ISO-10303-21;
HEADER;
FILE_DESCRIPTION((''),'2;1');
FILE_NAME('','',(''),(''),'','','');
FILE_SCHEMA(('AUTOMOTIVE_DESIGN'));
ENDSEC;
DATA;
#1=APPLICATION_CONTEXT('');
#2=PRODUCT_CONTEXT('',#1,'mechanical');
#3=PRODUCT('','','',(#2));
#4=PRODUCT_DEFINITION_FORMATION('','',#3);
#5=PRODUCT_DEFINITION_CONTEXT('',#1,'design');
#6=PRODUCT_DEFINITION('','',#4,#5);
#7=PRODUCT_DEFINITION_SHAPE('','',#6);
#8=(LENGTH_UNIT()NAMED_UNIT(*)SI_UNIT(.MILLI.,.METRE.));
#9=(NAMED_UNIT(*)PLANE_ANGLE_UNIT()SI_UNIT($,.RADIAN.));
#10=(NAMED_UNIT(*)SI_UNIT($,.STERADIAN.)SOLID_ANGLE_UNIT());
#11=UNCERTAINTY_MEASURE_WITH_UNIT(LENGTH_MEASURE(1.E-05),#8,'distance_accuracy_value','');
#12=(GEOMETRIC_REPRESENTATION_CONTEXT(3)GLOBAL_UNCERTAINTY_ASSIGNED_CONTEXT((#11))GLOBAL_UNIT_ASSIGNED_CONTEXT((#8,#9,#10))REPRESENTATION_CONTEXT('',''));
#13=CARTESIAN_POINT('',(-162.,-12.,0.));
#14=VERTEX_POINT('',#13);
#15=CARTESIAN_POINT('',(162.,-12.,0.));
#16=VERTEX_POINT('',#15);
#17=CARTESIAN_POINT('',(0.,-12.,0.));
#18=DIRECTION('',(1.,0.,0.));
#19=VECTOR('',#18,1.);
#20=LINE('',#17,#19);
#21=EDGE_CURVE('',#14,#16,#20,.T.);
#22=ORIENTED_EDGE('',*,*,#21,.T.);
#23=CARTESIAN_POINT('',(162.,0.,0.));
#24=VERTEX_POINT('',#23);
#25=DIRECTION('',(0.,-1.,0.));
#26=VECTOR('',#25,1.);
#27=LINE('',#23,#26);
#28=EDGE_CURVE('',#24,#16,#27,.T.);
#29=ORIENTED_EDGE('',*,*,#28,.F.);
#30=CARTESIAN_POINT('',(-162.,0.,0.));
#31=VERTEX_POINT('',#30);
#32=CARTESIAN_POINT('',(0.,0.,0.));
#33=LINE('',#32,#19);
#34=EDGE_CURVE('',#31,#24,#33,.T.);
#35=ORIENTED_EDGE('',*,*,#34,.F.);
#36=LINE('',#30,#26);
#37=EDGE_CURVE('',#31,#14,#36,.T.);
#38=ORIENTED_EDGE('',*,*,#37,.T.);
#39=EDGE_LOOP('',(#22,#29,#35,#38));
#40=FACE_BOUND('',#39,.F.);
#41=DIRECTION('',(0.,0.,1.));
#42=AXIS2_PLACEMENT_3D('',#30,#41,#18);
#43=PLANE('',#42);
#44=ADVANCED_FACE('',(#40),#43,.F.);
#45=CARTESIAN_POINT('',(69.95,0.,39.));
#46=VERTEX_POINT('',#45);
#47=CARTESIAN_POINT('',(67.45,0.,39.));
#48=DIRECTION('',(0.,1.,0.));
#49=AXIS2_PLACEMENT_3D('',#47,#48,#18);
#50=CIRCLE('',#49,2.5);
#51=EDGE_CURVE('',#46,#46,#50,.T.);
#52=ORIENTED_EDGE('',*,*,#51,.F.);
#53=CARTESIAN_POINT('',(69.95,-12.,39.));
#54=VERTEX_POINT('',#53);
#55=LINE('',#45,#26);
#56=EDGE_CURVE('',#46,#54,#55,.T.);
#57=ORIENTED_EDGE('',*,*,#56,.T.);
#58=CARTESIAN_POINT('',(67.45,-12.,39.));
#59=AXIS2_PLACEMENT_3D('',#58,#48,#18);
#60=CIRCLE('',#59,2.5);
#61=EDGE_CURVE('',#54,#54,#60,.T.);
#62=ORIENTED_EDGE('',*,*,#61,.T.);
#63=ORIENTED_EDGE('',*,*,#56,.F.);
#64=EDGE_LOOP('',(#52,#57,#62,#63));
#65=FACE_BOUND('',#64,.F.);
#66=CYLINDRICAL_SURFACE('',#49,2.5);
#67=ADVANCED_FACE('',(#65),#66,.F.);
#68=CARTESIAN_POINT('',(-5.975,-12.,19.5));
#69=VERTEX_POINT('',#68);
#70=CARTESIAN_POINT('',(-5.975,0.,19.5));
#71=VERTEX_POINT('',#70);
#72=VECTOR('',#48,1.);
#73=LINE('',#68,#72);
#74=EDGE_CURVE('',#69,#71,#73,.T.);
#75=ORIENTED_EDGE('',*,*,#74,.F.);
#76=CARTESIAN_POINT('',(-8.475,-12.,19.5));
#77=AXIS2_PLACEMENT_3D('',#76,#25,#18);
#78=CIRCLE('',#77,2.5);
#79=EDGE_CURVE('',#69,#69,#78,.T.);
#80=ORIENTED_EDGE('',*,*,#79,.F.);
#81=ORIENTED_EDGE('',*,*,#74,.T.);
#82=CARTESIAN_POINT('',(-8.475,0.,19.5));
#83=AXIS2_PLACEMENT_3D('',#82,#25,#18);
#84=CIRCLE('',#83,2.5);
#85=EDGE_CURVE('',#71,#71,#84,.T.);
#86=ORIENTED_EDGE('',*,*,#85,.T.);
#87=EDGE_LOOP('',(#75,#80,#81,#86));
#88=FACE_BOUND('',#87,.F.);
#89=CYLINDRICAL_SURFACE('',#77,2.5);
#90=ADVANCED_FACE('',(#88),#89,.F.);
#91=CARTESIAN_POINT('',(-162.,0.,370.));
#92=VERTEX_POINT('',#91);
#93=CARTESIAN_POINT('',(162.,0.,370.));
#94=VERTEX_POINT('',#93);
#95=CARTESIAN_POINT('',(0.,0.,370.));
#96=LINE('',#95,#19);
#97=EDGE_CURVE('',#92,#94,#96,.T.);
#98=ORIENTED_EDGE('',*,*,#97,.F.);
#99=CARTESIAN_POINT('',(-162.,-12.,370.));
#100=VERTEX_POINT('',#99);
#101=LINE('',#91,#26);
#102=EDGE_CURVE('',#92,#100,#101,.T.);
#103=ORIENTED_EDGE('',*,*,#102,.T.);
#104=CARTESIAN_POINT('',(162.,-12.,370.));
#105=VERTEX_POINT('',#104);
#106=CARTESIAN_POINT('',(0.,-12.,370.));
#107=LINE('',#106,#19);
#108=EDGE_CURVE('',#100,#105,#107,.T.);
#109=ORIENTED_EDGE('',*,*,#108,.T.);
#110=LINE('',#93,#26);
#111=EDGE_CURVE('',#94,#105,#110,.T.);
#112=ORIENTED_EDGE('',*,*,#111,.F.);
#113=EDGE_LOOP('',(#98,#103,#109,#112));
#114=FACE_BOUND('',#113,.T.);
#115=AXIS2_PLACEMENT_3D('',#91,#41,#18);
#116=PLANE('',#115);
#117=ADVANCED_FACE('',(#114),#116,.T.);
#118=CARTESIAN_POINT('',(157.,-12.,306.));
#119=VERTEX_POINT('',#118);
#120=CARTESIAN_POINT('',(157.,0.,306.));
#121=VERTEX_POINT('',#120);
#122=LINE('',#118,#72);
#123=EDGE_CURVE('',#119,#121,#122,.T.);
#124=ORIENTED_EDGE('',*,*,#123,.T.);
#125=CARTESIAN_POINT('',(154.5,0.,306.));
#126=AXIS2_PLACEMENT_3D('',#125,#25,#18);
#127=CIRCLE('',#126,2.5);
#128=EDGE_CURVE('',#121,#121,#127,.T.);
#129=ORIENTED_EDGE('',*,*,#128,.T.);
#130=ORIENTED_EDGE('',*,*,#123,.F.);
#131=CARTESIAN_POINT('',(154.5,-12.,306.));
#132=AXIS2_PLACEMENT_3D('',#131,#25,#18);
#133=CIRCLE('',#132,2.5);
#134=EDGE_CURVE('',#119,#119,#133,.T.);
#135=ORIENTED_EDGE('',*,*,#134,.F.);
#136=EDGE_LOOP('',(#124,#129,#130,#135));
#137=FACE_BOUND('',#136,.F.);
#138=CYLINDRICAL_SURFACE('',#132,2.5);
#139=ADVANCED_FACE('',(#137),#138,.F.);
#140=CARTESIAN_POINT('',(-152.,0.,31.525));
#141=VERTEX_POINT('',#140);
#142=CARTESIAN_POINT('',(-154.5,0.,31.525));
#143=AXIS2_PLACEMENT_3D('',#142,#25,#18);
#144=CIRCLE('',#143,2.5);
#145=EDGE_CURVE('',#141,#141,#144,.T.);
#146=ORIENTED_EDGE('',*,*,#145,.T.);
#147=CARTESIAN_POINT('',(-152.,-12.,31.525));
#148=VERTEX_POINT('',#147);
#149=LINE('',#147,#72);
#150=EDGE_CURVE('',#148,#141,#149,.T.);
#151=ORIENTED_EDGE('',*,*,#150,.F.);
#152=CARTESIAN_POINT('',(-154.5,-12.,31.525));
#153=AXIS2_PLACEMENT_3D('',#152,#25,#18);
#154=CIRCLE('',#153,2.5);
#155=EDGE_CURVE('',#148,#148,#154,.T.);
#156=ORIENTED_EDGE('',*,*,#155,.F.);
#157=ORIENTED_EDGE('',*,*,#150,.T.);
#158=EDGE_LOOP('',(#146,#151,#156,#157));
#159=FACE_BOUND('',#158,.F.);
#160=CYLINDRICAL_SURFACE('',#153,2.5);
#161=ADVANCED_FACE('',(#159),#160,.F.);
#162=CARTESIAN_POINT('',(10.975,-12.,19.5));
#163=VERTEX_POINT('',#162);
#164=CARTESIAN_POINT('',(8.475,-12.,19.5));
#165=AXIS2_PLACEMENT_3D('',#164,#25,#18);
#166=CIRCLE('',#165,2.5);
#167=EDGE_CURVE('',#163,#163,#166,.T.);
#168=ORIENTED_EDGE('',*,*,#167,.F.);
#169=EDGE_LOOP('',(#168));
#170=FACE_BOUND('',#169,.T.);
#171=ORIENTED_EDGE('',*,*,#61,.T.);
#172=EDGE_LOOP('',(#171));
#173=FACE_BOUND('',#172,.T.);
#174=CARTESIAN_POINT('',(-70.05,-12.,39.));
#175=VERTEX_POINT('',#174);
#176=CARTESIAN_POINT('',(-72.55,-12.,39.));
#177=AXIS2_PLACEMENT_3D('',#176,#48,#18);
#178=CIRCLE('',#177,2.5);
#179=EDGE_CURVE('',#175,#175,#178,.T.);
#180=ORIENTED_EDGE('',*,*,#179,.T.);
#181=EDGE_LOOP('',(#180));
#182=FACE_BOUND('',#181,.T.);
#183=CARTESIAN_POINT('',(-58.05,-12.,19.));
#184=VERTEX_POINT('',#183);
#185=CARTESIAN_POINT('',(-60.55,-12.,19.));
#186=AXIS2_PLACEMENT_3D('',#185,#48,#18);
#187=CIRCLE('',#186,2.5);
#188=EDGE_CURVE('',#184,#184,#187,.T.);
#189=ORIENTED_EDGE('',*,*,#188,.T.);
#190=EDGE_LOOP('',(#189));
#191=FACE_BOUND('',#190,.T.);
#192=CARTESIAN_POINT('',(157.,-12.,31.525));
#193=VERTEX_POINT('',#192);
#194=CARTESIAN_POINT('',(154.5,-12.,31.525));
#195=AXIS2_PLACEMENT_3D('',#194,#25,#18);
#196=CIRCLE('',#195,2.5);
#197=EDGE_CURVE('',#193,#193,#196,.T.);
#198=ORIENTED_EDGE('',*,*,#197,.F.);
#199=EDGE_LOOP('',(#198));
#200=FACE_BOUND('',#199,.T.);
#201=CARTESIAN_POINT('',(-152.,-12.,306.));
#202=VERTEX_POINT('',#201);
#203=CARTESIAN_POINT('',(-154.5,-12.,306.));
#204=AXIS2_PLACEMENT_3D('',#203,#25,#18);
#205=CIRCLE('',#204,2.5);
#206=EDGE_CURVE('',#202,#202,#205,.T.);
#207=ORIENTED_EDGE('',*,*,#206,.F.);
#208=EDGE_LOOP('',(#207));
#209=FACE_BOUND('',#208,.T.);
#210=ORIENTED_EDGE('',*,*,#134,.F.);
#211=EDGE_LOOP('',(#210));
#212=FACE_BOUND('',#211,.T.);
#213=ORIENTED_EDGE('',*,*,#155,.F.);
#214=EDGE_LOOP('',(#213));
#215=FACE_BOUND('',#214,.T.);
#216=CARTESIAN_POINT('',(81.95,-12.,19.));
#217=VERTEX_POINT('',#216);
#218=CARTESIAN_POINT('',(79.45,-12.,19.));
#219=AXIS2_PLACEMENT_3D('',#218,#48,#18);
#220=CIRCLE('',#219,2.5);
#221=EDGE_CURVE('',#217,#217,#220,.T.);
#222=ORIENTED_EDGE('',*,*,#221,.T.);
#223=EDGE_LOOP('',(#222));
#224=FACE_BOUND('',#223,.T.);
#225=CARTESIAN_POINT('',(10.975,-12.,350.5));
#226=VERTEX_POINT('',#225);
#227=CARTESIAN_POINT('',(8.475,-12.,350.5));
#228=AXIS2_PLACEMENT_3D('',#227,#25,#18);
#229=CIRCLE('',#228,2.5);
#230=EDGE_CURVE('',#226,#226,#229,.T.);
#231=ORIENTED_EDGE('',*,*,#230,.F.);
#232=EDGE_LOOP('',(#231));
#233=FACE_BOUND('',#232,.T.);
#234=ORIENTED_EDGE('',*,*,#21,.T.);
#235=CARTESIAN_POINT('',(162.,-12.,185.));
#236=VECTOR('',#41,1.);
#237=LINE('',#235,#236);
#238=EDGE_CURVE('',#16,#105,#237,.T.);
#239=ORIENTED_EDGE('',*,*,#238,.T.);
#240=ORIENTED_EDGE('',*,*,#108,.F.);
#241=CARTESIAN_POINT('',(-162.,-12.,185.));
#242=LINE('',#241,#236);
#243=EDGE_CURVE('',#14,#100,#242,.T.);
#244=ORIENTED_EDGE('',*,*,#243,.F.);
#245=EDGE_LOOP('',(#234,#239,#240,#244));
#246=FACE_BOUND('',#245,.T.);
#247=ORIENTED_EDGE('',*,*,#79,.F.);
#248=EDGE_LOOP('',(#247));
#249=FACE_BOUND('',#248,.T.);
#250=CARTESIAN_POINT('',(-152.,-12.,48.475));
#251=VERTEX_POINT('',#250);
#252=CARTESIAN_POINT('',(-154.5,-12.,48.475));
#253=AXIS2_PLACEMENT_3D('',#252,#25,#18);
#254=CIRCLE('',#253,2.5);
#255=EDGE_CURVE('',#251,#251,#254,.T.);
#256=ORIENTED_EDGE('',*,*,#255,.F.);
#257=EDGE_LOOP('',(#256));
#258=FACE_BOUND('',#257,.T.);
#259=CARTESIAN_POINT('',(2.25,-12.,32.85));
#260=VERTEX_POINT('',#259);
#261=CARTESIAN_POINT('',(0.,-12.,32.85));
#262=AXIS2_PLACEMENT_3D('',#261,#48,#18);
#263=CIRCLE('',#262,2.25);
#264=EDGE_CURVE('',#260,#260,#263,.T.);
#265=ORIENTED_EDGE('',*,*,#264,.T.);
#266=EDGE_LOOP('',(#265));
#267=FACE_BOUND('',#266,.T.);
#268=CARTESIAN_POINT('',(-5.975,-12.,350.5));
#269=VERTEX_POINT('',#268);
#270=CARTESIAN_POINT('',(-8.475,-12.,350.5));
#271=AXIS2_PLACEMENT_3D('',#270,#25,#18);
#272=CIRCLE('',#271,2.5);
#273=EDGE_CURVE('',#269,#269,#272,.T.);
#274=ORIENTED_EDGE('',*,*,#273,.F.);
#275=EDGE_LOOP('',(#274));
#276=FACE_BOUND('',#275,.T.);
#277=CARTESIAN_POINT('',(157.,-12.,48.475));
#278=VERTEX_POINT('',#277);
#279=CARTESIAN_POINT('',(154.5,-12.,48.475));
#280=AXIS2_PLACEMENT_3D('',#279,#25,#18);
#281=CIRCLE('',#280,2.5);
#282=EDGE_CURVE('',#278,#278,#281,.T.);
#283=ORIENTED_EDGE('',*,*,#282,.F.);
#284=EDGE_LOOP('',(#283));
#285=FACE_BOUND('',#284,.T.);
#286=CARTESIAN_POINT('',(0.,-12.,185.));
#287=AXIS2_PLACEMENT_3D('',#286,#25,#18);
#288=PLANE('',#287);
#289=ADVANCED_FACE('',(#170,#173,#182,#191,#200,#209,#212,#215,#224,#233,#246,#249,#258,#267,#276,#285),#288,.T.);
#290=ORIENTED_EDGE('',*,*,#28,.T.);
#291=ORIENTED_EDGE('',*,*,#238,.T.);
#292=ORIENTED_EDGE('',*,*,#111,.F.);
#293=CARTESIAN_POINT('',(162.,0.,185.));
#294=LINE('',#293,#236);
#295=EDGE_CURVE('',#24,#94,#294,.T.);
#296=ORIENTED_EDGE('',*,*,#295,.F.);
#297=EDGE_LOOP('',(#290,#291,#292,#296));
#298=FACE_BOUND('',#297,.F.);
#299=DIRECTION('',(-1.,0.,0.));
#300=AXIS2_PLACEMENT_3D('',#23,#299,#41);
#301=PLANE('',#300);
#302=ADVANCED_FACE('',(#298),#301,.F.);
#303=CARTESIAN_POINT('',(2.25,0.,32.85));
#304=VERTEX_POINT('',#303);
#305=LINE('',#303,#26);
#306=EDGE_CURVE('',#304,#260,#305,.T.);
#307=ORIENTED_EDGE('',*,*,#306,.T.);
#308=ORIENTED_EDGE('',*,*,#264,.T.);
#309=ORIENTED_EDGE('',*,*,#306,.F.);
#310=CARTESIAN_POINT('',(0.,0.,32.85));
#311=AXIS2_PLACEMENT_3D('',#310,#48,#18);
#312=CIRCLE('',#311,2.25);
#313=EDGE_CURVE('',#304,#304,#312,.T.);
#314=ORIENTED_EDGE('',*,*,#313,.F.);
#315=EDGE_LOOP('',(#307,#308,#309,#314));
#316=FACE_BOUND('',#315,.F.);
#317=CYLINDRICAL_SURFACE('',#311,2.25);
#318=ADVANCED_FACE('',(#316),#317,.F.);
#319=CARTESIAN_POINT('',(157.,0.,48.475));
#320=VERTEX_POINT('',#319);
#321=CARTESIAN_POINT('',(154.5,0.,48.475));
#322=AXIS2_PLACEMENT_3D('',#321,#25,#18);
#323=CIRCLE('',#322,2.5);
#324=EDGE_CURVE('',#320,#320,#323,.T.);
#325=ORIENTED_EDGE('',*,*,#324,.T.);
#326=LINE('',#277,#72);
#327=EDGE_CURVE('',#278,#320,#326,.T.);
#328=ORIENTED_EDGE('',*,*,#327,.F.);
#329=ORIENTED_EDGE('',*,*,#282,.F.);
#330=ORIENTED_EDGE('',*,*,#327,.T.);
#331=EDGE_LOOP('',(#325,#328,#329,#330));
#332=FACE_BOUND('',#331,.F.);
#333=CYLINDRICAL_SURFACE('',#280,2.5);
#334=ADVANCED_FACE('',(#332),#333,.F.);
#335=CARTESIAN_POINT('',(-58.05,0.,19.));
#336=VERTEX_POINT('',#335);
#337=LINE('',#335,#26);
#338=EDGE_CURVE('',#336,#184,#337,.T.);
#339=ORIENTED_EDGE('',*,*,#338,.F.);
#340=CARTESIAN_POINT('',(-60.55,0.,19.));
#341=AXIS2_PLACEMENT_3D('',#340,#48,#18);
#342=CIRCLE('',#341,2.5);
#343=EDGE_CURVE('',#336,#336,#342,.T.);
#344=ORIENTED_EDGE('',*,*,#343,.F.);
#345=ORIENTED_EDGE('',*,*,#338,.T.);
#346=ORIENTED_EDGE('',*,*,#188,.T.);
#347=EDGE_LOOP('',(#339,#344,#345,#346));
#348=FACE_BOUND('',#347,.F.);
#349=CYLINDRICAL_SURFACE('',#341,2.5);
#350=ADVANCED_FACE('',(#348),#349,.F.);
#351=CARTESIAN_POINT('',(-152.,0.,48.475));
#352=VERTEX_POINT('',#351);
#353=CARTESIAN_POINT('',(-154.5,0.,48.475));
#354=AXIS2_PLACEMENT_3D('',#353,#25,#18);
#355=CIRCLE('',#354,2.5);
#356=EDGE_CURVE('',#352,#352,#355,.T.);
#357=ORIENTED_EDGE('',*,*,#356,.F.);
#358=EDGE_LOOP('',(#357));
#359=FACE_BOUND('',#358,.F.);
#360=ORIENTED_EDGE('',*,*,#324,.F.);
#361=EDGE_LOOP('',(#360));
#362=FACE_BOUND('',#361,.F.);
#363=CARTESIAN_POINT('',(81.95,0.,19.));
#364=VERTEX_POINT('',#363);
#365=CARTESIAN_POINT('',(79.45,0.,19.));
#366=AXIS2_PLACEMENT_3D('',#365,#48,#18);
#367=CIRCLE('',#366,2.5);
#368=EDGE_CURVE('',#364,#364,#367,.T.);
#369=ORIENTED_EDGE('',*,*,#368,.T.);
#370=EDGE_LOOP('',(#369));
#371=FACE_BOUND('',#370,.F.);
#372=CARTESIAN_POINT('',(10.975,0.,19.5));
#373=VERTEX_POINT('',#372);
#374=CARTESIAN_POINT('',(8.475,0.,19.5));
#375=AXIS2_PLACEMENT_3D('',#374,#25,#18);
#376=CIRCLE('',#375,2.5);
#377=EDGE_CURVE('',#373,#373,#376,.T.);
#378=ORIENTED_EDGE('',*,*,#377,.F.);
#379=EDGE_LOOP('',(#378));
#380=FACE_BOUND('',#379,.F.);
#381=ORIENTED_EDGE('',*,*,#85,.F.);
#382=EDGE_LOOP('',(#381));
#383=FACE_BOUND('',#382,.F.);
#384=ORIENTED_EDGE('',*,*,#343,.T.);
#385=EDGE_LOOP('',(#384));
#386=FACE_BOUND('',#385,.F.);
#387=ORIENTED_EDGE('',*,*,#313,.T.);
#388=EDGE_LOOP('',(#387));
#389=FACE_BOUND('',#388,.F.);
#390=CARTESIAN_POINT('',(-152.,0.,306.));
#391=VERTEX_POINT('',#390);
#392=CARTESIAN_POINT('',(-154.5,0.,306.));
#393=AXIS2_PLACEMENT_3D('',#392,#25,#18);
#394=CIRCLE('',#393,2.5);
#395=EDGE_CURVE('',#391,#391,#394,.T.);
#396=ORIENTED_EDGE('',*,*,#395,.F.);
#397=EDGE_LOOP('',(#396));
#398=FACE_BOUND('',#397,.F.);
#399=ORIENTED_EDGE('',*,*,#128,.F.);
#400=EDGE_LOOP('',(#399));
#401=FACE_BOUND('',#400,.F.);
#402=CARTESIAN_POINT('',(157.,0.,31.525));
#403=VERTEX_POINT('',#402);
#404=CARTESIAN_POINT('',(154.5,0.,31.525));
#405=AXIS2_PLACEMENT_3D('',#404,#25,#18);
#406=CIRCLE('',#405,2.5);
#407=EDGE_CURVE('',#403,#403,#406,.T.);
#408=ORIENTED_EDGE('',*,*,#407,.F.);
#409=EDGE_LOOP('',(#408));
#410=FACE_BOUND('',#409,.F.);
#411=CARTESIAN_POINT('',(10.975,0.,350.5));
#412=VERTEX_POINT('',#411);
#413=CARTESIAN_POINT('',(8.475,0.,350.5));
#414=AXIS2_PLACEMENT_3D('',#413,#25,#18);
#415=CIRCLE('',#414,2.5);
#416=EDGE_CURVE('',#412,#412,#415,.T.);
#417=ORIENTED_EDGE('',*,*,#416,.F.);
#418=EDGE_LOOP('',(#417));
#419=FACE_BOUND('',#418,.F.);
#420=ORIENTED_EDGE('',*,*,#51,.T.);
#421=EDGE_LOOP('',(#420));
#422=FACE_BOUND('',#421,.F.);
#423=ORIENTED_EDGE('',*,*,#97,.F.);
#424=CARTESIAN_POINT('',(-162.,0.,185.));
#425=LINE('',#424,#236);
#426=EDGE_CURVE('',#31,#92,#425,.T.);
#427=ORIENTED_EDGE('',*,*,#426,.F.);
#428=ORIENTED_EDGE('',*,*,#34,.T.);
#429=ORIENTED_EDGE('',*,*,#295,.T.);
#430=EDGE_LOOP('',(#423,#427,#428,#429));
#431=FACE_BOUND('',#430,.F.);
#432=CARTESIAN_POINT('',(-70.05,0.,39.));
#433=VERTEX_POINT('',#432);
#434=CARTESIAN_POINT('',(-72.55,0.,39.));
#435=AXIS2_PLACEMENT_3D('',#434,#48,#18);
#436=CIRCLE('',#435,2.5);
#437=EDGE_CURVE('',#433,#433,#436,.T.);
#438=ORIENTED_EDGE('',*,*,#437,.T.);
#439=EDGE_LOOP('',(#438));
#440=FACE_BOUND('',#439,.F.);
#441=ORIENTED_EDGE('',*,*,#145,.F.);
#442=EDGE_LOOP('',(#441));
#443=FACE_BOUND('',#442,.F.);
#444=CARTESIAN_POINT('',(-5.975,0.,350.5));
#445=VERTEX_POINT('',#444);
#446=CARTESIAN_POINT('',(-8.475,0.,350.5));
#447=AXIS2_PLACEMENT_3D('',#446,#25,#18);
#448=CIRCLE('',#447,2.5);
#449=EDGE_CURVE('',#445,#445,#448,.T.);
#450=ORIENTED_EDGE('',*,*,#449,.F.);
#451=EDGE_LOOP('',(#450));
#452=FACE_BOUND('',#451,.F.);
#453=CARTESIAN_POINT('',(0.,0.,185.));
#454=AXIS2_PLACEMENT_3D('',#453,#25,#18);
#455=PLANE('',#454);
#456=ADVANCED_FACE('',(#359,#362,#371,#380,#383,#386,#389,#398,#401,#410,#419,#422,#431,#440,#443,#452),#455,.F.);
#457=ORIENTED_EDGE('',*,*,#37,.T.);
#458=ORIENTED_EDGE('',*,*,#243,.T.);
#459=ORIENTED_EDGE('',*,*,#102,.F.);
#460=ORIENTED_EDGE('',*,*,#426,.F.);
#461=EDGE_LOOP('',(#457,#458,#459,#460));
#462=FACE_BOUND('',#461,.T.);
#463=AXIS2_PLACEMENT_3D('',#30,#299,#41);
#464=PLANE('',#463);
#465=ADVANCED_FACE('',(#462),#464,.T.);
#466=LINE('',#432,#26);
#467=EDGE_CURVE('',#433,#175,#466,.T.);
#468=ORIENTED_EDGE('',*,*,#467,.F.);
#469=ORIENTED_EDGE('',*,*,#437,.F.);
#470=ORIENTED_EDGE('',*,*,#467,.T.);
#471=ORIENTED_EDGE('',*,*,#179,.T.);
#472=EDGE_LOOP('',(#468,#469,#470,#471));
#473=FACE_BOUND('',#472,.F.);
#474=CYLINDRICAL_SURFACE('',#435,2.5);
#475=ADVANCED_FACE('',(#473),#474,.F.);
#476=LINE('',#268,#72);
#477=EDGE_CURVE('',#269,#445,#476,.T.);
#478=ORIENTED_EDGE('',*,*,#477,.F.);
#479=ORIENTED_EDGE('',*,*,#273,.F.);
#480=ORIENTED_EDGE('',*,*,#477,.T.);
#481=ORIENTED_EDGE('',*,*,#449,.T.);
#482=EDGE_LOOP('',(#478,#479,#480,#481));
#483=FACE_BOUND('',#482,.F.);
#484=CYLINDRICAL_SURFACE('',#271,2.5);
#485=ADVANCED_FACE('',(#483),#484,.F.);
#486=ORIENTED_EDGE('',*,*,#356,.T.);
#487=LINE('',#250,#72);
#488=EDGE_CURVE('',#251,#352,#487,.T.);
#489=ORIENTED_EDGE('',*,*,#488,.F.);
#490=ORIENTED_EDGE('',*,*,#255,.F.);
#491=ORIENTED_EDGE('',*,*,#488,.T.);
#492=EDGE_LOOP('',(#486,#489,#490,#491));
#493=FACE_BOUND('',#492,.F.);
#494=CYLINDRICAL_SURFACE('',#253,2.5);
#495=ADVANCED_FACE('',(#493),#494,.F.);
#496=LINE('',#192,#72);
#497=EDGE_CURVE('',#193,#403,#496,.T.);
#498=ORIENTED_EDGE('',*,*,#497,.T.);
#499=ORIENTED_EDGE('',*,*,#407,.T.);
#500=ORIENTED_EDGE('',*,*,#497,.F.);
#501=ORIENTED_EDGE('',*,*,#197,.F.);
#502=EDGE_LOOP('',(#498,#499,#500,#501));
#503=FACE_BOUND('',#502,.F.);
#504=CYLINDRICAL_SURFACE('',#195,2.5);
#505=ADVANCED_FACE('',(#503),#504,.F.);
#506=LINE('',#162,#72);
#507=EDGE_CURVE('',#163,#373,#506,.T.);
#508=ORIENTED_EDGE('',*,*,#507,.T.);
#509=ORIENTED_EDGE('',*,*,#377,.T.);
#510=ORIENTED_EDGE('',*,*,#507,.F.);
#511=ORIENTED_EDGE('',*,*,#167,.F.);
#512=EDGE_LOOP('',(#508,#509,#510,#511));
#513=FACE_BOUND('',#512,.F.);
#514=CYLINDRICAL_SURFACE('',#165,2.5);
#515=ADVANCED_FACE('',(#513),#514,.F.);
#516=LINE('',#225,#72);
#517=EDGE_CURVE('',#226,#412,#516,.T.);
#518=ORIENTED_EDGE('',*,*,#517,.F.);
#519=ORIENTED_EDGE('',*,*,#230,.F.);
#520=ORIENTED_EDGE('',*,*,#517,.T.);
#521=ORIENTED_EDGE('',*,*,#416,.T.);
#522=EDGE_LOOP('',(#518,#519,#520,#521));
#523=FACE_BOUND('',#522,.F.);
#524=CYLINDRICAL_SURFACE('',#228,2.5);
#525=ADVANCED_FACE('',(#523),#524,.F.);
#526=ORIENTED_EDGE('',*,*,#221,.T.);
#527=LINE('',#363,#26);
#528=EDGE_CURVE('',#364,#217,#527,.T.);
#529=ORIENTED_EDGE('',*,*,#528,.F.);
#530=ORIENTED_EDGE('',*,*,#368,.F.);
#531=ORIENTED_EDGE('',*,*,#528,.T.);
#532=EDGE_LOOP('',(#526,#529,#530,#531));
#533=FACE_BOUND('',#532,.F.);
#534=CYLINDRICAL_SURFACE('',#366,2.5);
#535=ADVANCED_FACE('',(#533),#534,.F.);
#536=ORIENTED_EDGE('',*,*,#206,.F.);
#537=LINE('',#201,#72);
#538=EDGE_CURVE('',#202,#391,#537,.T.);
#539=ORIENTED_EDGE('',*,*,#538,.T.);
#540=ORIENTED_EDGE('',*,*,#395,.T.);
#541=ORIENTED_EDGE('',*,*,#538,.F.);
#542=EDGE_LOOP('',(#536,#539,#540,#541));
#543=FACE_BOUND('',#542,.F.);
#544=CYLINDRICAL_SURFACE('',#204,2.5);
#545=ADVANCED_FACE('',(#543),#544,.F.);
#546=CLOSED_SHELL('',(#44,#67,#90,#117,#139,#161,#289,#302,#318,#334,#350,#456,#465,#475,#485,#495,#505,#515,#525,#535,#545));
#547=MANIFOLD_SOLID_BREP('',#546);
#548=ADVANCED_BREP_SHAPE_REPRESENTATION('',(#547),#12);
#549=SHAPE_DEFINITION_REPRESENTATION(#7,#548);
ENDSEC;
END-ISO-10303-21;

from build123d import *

# Parameters (mm, degrees)
SKETCH_W        = 324
SKETCH_H        = 370
PAD_DEPTH       = 12
SKETCH001_R     = 2.5
POCKET_DEPTH    = 12.001
SKETCH002_R     = 2.5
SKETCH002_R_2   = 2.25
POCKET001_DEPTH = 12.001


with BuildPart() as part:
    # Sketch → Pad (new body)
    with BuildSketch(Plane.XZ):
        with Locations((0, 185)):
            Rectangle(SKETCH_W, SKETCH_H)
    extrude(amount=PAD_DEPTH)

    # Sketch001 → Pocket (cut, through all)
    with BuildSketch(Plane.XZ.offset(12)):
        with Locations((-154.5, 31.525)):
            Circle(SKETCH001_R)
        with Locations((-154.5, 48.475)):
            Circle(SKETCH001_R)
        with Locations((-154.5, 306)):
            Circle(SKETCH001_R)
        with Locations((-8.475, 350.5)):
            Circle(SKETCH001_R)
        with Locations((8.475, 350.5)):
            Circle(SKETCH001_R)
        with Locations((154.5, 306)):
            Circle(SKETCH001_R)
        with Locations((154.5, 48.475)):
            Circle(SKETCH001_R)
        with Locations((154.5, 31.525)):
            Circle(SKETCH001_R)
        with Locations((8.475, 19.5)):
            Circle(SKETCH001_R)
        with Locations((-8.475, 19.5)):
            Circle(SKETCH001_R)
    extrude(amount=-POCKET_DEPTH, mode=Mode.SUBTRACT)

    # Sketch002 → Pocket001 (cut, through all)
    with BuildSketch(Plane(origin=(0, 0, 0), x_dir=(1, 0, 0), z_dir=(0, 1, 0))):
        with Locations((-72.55, -39)):
            Circle(SKETCH002_R)
        with Locations((-60.55, -19)):
            Circle(SKETCH002_R)
        with Locations((79.45, -19)):
            Circle(SKETCH002_R)
        with Locations((67.45, -39)):
            Circle(SKETCH002_R)
        with Locations((0, -32.85)):
            Circle(SKETCH002_R_2)
    extrude(amount=-POCKET001_DEPTH, mode=Mode.SUBTRACT)


solid = part.part
